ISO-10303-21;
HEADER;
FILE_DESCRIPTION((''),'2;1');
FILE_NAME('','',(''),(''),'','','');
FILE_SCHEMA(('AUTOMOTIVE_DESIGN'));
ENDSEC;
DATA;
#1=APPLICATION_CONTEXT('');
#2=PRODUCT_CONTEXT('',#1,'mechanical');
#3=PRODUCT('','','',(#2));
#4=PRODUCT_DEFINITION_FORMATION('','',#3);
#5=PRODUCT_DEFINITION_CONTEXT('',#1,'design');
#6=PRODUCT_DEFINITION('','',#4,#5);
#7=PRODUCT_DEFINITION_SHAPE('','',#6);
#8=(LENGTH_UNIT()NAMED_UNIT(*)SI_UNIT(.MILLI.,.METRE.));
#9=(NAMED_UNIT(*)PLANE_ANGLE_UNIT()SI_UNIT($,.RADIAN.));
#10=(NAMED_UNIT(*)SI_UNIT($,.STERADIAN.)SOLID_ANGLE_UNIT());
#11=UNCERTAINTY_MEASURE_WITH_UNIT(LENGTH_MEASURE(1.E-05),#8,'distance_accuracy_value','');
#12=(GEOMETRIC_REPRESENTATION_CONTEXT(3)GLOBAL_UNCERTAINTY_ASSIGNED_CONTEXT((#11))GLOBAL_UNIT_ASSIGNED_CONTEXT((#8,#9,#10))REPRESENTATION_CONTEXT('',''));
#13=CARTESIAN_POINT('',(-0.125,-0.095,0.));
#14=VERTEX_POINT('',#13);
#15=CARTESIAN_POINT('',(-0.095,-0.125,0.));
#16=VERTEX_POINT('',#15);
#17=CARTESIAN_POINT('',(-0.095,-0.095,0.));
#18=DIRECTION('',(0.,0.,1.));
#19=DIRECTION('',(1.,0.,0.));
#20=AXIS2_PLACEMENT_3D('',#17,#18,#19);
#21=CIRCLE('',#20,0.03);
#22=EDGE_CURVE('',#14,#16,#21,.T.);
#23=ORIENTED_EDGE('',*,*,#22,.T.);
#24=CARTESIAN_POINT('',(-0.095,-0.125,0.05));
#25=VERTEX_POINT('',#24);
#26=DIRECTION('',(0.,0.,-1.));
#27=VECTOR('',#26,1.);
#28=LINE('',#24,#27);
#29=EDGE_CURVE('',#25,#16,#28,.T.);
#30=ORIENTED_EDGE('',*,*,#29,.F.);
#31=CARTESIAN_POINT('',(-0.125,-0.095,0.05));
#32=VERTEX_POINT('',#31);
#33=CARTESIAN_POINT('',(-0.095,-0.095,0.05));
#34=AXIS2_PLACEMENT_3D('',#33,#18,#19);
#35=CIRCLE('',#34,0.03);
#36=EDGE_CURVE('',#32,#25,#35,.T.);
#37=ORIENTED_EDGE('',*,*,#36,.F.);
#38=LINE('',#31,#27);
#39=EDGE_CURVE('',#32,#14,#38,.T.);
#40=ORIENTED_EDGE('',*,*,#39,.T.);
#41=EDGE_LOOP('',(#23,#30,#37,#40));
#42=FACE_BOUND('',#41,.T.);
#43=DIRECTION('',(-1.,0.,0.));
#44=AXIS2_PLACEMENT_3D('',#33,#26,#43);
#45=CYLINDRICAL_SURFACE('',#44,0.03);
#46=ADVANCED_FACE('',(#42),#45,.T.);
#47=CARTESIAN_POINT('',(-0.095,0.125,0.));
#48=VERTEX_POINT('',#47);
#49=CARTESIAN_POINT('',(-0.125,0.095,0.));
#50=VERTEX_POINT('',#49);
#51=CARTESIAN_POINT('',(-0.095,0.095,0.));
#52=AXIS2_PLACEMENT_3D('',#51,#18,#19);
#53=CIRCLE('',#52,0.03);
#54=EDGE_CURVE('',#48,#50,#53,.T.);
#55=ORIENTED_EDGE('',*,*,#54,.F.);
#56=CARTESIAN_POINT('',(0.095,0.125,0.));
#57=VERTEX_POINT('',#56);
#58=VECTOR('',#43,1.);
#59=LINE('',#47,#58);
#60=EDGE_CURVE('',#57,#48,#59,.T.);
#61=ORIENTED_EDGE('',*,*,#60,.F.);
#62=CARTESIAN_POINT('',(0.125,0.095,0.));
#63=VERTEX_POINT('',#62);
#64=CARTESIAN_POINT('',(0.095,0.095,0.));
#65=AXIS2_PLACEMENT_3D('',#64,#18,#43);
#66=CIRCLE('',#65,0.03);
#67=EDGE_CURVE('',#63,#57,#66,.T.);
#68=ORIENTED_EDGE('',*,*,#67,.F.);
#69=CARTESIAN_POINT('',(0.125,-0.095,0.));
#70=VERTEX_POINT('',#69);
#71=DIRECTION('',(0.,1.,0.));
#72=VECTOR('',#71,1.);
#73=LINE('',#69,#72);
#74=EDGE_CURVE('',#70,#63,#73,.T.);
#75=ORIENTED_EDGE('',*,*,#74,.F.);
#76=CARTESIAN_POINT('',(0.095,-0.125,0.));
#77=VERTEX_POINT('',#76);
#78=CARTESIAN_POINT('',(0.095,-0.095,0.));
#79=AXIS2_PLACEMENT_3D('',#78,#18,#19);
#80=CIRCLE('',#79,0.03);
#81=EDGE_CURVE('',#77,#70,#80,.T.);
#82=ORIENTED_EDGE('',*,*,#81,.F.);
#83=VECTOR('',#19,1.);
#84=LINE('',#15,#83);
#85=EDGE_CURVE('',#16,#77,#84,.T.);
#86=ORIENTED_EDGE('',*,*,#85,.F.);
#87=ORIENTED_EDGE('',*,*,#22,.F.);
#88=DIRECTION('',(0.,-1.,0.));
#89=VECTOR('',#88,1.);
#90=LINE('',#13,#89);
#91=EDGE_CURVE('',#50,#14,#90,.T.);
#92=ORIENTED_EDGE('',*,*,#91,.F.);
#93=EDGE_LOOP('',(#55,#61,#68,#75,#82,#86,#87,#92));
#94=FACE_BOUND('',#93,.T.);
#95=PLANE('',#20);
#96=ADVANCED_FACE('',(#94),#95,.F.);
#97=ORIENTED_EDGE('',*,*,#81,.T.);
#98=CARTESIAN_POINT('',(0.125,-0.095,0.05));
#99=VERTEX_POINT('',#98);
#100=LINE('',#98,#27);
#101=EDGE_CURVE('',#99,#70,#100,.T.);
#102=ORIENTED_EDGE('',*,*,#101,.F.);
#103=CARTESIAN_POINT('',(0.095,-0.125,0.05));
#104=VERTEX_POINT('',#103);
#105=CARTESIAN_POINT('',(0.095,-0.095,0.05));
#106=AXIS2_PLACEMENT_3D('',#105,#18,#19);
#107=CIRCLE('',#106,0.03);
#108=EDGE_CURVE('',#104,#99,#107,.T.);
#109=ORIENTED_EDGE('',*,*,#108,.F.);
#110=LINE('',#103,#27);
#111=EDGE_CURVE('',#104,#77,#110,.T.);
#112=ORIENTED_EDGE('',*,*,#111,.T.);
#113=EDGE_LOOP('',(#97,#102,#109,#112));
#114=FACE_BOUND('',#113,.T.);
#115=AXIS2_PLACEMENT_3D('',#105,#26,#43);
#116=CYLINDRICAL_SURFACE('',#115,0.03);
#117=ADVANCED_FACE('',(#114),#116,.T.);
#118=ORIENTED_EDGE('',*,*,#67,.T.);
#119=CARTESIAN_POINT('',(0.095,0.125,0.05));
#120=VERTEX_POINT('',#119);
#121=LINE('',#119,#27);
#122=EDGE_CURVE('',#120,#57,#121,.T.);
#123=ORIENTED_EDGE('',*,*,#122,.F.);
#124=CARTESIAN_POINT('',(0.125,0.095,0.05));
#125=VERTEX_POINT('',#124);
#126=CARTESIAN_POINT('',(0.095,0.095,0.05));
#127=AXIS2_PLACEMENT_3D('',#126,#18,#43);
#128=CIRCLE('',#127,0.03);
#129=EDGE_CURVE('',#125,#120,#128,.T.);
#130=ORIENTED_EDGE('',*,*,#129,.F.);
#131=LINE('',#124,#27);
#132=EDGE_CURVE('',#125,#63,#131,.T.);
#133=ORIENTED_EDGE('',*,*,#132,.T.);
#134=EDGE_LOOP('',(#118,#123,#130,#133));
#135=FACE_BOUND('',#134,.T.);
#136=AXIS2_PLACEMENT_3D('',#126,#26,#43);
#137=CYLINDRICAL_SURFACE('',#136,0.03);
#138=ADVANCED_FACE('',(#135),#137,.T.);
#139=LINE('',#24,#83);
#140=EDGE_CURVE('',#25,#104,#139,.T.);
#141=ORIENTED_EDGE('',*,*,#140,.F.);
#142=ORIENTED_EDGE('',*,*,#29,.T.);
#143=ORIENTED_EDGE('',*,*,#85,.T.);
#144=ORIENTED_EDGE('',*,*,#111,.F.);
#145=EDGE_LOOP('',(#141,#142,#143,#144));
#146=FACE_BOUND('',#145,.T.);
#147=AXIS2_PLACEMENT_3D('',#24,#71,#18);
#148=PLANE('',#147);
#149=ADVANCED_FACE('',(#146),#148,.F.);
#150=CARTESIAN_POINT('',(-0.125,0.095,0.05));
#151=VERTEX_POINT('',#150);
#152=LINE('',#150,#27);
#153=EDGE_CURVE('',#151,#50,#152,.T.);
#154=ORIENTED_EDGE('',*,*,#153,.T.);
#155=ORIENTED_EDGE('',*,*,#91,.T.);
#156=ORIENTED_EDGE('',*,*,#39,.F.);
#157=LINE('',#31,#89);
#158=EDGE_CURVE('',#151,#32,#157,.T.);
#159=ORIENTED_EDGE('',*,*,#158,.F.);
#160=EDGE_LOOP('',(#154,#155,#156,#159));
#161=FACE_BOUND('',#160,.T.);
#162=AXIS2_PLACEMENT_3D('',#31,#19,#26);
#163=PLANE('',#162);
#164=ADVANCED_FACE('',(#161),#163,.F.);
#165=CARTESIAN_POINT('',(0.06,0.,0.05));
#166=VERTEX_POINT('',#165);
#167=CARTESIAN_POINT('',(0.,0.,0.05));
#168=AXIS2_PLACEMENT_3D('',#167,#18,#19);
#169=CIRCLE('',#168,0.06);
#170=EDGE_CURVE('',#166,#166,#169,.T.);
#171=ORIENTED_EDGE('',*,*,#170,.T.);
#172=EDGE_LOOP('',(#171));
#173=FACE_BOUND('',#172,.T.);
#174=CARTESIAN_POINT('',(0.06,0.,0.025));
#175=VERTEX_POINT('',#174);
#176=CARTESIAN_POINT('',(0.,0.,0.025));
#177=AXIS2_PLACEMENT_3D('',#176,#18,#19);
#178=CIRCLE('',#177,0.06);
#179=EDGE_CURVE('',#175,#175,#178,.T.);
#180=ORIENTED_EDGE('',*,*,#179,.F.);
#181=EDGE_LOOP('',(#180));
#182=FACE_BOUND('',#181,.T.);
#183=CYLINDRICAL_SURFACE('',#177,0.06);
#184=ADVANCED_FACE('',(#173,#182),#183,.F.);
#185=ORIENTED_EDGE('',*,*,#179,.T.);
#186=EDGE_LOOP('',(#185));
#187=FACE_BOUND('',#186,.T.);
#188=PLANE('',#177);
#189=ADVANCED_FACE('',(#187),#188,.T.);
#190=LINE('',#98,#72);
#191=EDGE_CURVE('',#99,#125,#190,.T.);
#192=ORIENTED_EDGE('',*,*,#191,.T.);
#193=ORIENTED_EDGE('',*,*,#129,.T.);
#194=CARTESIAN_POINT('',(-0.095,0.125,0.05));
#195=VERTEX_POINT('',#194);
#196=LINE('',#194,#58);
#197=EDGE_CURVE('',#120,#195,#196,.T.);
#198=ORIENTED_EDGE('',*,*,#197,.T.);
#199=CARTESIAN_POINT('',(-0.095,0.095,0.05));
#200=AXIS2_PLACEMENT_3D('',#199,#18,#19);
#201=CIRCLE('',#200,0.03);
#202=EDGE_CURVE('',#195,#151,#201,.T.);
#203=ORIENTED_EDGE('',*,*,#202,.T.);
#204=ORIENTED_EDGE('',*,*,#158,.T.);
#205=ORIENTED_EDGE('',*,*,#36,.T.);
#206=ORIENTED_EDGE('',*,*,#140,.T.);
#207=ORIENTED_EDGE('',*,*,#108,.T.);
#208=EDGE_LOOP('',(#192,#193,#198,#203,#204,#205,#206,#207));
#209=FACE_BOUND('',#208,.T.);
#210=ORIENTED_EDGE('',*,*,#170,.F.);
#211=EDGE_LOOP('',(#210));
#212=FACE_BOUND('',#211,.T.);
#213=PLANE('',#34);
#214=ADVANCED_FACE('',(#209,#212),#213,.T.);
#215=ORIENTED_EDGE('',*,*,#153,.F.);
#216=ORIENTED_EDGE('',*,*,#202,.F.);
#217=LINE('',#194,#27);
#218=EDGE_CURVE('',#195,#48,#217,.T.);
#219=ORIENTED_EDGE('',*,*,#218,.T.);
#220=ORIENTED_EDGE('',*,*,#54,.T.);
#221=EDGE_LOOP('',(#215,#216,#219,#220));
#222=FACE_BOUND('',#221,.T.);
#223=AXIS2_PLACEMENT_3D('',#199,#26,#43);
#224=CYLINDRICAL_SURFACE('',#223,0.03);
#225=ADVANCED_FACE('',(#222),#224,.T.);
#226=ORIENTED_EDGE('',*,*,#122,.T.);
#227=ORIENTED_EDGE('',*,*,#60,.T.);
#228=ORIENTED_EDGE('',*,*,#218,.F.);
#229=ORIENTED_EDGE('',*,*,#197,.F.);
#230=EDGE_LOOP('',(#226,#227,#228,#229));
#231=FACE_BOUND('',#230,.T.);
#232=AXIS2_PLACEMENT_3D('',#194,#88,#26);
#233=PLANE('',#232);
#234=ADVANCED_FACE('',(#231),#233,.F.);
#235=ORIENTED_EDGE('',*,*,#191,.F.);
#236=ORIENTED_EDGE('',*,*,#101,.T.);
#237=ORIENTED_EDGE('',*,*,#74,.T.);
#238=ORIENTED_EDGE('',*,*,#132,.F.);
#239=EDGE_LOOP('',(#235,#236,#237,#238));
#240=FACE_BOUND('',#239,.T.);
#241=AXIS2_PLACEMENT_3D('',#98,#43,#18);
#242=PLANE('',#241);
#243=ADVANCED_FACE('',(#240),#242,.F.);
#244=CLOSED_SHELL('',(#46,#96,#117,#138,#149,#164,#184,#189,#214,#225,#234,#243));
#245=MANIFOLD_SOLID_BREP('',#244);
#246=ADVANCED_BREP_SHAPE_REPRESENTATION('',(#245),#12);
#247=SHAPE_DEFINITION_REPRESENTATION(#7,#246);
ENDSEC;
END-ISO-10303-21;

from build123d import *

# Parameters (mm, degrees)
BOSS_EXTRUDE1_DEPTH = 0.05
SKETCH2_R           = 0.06
CUT_EXTRUDE1_DEPTH  = 0.025


with BuildPart() as part:
    # Sketch1 → Boss-Extrude1 (new body)
    with BuildSketch(Plane.XY):
        with BuildLine():
            Line((-0.095, -0.125), (0.095, -0.125))
            ThreePointArc((0.095, -0.125), (0.116213203, -0.116213203), (0.125, -0.095))
            Line((0.125, -0.095), (0.125, 0.095))
            ThreePointArc((0.125, 0.095), (0.116213203, 0.116213203), (0.095, 0.125))
            Line((0.095, 0.125), (-0.095, 0.125))
            ThreePointArc((-0.095, 0.125), (-0.116213203, 0.116213203), (-0.125, 0.095))
            Line((-0.125, 0.095), (-0.125, -0.095))
            ThreePointArc((-0.125, -0.095), (-0.116213203, -0.116213203), (-0.095, -0.125))
        make_face()
    extrude(amount=BOSS_EXTRUDE1_DEPTH)

    # Sketch2 → Cut-Extrude1 (cut)
    with BuildSketch(Plane.XY.offset(0.05)):
        Circle(SKETCH2_R)
    extrude(amount=-CUT_EXTRUDE1_DEPTH, mode=Mode.SUBTRACT)


solid = part.part
